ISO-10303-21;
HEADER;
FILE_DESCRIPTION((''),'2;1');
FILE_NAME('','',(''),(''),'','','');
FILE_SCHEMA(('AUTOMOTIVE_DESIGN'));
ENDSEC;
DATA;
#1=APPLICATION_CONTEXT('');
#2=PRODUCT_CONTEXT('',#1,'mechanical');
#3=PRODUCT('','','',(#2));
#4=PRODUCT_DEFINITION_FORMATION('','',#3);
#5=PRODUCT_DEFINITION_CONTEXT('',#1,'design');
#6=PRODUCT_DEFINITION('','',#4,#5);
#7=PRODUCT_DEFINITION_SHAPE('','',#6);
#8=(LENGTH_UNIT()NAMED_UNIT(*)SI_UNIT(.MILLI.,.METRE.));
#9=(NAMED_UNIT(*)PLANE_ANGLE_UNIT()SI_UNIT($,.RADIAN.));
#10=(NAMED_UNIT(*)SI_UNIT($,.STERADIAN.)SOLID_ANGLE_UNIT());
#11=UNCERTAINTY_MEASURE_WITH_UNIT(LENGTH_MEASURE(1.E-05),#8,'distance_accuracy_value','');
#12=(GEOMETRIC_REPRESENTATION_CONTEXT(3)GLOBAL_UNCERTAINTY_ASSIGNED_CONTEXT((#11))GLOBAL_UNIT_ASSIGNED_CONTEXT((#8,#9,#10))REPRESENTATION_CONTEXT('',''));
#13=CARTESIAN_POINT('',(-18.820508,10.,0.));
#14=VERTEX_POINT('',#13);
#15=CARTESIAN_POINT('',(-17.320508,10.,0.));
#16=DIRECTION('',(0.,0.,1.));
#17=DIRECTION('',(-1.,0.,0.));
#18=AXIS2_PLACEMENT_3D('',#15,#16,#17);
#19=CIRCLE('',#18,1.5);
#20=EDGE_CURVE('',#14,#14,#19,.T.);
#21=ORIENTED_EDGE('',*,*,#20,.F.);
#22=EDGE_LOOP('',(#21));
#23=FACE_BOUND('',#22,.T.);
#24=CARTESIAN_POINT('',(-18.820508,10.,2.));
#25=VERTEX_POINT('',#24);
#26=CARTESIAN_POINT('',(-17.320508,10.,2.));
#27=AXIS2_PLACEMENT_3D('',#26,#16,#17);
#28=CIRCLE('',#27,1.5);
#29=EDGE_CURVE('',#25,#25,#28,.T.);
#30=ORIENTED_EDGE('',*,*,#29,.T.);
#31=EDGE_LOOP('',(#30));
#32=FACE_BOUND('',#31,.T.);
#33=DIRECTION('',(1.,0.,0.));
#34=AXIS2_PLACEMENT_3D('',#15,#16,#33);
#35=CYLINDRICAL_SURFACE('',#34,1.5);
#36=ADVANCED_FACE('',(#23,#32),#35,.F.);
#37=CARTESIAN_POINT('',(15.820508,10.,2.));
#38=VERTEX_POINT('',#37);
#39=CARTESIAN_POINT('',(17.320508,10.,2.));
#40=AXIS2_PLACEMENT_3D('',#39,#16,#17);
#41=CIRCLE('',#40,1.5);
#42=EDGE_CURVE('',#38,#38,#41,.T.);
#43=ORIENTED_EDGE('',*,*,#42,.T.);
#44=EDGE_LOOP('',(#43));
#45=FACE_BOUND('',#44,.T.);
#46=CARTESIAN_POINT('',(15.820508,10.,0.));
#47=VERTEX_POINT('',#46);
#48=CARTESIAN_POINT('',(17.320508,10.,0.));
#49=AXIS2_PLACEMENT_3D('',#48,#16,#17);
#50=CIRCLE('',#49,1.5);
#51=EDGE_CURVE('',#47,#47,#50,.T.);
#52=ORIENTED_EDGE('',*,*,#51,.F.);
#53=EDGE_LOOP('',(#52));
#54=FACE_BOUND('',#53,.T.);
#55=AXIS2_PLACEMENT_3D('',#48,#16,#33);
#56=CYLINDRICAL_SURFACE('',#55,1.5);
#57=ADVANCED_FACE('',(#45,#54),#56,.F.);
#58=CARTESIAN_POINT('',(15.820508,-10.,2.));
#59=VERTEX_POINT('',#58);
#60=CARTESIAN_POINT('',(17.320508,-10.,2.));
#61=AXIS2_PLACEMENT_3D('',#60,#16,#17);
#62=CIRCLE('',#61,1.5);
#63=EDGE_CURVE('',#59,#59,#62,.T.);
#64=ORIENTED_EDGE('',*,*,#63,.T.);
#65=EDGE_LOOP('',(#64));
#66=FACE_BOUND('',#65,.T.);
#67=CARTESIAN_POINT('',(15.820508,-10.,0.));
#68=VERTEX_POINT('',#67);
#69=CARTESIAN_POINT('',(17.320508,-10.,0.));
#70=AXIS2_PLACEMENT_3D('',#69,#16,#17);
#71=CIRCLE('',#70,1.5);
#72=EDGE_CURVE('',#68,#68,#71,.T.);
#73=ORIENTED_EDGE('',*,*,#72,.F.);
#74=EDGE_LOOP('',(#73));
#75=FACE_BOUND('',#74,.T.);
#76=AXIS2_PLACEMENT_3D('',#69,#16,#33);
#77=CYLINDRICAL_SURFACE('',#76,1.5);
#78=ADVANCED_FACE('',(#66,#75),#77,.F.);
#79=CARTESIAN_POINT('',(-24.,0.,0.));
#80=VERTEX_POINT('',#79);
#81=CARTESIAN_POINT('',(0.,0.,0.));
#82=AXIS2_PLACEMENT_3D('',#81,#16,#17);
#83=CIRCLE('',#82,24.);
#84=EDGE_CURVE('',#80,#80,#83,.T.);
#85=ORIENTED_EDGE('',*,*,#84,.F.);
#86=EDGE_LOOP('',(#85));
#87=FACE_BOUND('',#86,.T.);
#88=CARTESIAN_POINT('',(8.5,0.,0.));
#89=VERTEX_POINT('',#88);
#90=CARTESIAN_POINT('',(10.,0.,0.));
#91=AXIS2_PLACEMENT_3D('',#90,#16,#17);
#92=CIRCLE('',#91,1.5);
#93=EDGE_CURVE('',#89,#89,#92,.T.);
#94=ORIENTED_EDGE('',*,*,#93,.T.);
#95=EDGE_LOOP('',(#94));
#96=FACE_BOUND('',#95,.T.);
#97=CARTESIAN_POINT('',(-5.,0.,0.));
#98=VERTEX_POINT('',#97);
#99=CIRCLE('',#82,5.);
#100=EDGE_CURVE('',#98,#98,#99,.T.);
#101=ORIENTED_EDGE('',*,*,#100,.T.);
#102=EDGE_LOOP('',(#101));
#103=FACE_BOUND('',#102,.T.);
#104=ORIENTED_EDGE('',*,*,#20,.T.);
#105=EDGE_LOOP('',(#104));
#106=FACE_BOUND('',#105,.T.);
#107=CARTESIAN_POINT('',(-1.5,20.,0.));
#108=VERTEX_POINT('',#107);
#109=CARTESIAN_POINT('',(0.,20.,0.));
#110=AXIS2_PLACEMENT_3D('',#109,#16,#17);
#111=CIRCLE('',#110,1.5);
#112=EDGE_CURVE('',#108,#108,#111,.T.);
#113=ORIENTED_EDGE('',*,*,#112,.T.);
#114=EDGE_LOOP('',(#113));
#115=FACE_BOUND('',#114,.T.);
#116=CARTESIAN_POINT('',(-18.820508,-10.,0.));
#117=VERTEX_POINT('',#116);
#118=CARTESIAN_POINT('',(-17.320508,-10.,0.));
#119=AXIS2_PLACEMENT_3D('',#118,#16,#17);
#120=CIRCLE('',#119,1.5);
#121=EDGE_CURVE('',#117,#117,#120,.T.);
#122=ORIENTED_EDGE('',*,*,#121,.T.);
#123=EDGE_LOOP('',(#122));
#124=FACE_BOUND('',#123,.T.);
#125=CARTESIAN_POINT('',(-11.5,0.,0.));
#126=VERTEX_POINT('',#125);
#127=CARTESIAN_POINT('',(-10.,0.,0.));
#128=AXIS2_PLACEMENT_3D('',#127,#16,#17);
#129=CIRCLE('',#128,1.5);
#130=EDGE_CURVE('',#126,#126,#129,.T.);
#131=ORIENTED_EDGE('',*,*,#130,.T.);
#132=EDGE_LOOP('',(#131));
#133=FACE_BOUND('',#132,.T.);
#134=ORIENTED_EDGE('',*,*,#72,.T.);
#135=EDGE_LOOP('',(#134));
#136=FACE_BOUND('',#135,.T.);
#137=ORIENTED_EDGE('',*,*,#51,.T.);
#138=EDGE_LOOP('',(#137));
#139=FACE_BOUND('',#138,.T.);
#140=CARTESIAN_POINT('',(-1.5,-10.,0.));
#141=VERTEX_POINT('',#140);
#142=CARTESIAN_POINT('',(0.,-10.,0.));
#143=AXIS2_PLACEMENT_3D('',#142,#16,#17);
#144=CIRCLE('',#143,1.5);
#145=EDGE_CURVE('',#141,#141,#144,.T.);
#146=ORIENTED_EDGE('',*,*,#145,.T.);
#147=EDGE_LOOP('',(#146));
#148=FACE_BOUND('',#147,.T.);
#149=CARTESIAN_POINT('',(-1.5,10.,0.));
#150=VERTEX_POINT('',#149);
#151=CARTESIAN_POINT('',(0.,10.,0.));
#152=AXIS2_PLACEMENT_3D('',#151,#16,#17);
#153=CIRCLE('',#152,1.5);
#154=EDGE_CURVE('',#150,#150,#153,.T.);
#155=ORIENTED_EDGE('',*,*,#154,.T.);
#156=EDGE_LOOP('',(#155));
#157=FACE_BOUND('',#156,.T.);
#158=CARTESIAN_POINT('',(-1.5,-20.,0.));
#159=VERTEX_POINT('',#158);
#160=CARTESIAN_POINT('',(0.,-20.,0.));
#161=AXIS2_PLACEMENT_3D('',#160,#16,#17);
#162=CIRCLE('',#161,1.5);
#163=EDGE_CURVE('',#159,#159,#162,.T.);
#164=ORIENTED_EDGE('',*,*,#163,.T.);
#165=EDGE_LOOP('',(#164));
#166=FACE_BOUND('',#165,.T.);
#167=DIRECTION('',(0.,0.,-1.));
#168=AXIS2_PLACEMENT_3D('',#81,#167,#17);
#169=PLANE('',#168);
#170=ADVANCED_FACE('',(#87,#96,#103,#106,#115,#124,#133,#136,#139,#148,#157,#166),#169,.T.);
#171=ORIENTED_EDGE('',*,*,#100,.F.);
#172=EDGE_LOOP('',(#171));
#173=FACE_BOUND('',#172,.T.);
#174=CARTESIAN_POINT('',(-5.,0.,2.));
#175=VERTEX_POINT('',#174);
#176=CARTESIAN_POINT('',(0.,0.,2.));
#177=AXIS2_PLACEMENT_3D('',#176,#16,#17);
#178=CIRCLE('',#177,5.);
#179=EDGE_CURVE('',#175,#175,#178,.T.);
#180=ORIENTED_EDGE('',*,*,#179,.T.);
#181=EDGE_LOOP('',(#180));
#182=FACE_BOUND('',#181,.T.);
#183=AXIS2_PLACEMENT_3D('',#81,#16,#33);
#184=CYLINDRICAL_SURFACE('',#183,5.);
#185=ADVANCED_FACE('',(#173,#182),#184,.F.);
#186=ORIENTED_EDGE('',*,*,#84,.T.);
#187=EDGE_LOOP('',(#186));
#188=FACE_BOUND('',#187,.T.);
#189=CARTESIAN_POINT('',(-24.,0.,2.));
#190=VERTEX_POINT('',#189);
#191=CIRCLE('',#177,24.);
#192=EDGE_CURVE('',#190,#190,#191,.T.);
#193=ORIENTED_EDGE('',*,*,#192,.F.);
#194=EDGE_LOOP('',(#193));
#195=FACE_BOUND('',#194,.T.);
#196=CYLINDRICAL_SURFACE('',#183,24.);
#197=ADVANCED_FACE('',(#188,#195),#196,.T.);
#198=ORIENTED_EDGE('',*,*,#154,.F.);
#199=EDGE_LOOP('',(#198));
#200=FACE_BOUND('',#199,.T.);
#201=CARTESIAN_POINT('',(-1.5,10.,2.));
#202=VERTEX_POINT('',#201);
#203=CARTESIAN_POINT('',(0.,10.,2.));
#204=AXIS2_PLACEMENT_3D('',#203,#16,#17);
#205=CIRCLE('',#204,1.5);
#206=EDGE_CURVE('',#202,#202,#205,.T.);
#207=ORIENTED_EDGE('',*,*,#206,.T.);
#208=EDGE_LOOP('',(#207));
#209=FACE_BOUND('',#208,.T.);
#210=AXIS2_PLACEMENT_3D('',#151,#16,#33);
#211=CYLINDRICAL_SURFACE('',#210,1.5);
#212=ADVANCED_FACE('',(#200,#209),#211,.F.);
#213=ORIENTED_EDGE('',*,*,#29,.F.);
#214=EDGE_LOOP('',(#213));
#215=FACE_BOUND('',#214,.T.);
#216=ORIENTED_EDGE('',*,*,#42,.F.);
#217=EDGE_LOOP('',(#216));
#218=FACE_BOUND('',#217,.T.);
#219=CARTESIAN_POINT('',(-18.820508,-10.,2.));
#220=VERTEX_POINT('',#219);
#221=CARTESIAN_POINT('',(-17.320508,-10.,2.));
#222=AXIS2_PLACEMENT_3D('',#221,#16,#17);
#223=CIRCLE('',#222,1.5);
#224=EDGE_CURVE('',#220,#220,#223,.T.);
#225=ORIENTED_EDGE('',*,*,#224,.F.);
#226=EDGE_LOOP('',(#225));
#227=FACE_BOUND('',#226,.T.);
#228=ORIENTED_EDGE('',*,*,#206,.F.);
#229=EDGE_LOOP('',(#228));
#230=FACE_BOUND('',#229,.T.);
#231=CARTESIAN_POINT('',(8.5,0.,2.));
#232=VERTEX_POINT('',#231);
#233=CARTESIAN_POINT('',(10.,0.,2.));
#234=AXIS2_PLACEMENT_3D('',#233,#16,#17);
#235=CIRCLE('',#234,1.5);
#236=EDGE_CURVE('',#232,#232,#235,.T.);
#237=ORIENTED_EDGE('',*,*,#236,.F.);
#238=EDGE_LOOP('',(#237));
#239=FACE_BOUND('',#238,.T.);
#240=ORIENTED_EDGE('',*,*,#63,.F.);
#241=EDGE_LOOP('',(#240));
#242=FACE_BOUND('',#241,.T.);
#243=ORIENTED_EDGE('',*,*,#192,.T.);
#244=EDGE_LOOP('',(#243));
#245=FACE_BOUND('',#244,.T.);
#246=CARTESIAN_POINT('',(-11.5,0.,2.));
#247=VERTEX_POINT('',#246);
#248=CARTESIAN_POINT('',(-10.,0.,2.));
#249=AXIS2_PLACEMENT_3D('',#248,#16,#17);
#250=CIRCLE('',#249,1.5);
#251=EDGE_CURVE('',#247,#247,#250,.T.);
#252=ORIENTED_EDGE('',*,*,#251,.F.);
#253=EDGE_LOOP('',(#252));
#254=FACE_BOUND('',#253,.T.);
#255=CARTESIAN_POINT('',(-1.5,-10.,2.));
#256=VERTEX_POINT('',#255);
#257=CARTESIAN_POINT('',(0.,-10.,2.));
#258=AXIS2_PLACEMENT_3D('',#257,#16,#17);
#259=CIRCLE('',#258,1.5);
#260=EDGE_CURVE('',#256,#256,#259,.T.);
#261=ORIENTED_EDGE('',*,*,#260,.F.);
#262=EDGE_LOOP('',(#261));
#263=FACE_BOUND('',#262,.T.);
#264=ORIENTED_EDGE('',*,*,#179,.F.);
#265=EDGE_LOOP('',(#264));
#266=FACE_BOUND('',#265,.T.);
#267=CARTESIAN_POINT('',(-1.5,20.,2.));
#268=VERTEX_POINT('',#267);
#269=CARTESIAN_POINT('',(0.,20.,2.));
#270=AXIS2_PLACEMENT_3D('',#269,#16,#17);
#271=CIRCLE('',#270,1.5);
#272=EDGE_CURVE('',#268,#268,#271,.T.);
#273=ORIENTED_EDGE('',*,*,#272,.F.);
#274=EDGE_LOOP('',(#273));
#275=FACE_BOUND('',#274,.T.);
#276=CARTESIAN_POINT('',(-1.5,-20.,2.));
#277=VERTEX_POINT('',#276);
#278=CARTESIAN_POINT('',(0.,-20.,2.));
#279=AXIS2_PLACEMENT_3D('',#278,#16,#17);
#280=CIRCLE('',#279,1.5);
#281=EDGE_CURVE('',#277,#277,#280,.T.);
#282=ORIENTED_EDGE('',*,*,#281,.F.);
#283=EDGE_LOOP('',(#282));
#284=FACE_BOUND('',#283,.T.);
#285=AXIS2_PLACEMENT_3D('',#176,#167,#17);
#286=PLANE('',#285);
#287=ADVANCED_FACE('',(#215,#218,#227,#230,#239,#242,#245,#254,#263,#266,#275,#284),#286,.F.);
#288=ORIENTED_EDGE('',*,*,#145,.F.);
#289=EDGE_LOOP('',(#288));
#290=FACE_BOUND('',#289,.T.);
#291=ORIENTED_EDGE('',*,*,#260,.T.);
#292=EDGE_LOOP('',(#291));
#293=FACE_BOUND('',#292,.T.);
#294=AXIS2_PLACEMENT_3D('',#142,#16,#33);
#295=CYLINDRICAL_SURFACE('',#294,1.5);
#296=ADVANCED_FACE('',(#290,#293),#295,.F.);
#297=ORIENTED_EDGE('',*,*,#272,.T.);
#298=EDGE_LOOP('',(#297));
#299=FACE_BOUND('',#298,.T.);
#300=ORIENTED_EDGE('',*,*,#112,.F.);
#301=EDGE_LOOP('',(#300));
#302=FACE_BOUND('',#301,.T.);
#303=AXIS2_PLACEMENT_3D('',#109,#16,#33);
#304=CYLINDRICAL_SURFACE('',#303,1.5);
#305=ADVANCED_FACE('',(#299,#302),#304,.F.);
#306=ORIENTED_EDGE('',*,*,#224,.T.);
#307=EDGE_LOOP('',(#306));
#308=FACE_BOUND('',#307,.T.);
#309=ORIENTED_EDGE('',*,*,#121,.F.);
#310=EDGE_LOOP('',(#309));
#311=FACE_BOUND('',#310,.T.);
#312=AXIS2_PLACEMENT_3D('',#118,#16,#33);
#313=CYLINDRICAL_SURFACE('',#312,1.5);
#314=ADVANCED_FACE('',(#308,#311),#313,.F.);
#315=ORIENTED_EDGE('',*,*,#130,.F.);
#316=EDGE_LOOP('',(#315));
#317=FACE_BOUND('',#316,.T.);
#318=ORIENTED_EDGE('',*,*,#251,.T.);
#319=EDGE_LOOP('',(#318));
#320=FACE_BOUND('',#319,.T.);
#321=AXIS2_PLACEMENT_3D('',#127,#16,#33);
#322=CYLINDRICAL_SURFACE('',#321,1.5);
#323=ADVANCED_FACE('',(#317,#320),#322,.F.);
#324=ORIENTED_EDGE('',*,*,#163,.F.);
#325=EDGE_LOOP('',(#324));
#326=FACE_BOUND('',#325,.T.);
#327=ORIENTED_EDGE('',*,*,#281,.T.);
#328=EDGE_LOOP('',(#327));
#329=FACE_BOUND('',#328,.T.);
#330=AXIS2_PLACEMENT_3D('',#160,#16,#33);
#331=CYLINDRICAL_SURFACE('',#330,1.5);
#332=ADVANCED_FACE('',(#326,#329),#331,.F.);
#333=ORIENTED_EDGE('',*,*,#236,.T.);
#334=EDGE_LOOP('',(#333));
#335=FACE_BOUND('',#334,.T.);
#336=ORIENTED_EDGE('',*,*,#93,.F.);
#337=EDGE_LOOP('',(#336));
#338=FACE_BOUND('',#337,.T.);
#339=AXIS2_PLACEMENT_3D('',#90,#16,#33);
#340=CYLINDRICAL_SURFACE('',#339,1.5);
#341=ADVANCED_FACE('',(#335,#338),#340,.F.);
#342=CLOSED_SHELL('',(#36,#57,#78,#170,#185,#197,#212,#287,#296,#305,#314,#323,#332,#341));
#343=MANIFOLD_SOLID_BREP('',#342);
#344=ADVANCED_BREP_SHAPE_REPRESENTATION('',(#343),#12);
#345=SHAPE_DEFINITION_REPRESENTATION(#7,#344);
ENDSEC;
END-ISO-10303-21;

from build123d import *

# Parameters (mm, degrees)
SKETCH_1_R      = 24
SKETCH_1_R_2    = 1.5
SKETCH_1_R_3    = 5
EXTRUDE_1_DEPTH = 2


with BuildPart() as part:
    # 草图1 → 凸台-拉伸1 (new body)
    with BuildSketch(Plane.XY.offset(2)):
        with Locations(Location((0, 0, 0), (0, 0, 180))):
            Circle(SKETCH_1_R)
        with Locations(Location((-17.320508076, 10, 0), (0, 0, 180))):
            Circle(SKETCH_1_R_2, mode=Mode.SUBTRACT)
        with Locations(Location((0, -20, 0), (0, 0, 180))):
            Circle(SKETCH_1_R_2, mode=Mode.SUBTRACT)
        with Locations(Location((17.320508076, 10, 0), (0, 0, 180))):
            Circle(SKETCH_1_R_2, mode=Mode.SUBTRACT)
        with Locations(Location((0, 0, 0), (0, 0, 180))):
            Circle(SKETCH_1_R_3, mode=Mode.SUBTRACT)
        with Locations(Location((0, 20, 0), (0, 0, 180))):
            Circle(SKETCH_1_R_2, mode=Mode.SUBTRACT)
        with Locations(Location((17.320508076, -10, 0), (0, 0, 180))):
            Circle(SKETCH_1_R_2, mode=Mode.SUBTRACT)
        with Locations(Location((-17.320508076, -10, 0), (0, 0, 180))):
            Circle(SKETCH_1_R_2, mode=Mode.SUBTRACT)
        with Locations(Location((0, 10, 0), (0, 0, 180))):
            Circle(SKETCH_1_R_2, mode=Mode.SUBTRACT)
        with Locations(Location((-10, 0, 0), (0, 0, 180))):
            Circle(SKETCH_1_R_2, mode=Mode.SUBTRACT)
        with Locations(Location((0, -10, 0), (0, 0, 180))):
            Circle(SKETCH_1_R_2, mode=Mode.SUBTRACT)
        with Locations(Location((10, 0, 0), (0, 0, 180))):
            Circle(SKETCH_1_R_2, mode=Mode.SUBTRACT)
    extrude(amount=-EXTRUDE_1_DEPTH)


solid = part.part
